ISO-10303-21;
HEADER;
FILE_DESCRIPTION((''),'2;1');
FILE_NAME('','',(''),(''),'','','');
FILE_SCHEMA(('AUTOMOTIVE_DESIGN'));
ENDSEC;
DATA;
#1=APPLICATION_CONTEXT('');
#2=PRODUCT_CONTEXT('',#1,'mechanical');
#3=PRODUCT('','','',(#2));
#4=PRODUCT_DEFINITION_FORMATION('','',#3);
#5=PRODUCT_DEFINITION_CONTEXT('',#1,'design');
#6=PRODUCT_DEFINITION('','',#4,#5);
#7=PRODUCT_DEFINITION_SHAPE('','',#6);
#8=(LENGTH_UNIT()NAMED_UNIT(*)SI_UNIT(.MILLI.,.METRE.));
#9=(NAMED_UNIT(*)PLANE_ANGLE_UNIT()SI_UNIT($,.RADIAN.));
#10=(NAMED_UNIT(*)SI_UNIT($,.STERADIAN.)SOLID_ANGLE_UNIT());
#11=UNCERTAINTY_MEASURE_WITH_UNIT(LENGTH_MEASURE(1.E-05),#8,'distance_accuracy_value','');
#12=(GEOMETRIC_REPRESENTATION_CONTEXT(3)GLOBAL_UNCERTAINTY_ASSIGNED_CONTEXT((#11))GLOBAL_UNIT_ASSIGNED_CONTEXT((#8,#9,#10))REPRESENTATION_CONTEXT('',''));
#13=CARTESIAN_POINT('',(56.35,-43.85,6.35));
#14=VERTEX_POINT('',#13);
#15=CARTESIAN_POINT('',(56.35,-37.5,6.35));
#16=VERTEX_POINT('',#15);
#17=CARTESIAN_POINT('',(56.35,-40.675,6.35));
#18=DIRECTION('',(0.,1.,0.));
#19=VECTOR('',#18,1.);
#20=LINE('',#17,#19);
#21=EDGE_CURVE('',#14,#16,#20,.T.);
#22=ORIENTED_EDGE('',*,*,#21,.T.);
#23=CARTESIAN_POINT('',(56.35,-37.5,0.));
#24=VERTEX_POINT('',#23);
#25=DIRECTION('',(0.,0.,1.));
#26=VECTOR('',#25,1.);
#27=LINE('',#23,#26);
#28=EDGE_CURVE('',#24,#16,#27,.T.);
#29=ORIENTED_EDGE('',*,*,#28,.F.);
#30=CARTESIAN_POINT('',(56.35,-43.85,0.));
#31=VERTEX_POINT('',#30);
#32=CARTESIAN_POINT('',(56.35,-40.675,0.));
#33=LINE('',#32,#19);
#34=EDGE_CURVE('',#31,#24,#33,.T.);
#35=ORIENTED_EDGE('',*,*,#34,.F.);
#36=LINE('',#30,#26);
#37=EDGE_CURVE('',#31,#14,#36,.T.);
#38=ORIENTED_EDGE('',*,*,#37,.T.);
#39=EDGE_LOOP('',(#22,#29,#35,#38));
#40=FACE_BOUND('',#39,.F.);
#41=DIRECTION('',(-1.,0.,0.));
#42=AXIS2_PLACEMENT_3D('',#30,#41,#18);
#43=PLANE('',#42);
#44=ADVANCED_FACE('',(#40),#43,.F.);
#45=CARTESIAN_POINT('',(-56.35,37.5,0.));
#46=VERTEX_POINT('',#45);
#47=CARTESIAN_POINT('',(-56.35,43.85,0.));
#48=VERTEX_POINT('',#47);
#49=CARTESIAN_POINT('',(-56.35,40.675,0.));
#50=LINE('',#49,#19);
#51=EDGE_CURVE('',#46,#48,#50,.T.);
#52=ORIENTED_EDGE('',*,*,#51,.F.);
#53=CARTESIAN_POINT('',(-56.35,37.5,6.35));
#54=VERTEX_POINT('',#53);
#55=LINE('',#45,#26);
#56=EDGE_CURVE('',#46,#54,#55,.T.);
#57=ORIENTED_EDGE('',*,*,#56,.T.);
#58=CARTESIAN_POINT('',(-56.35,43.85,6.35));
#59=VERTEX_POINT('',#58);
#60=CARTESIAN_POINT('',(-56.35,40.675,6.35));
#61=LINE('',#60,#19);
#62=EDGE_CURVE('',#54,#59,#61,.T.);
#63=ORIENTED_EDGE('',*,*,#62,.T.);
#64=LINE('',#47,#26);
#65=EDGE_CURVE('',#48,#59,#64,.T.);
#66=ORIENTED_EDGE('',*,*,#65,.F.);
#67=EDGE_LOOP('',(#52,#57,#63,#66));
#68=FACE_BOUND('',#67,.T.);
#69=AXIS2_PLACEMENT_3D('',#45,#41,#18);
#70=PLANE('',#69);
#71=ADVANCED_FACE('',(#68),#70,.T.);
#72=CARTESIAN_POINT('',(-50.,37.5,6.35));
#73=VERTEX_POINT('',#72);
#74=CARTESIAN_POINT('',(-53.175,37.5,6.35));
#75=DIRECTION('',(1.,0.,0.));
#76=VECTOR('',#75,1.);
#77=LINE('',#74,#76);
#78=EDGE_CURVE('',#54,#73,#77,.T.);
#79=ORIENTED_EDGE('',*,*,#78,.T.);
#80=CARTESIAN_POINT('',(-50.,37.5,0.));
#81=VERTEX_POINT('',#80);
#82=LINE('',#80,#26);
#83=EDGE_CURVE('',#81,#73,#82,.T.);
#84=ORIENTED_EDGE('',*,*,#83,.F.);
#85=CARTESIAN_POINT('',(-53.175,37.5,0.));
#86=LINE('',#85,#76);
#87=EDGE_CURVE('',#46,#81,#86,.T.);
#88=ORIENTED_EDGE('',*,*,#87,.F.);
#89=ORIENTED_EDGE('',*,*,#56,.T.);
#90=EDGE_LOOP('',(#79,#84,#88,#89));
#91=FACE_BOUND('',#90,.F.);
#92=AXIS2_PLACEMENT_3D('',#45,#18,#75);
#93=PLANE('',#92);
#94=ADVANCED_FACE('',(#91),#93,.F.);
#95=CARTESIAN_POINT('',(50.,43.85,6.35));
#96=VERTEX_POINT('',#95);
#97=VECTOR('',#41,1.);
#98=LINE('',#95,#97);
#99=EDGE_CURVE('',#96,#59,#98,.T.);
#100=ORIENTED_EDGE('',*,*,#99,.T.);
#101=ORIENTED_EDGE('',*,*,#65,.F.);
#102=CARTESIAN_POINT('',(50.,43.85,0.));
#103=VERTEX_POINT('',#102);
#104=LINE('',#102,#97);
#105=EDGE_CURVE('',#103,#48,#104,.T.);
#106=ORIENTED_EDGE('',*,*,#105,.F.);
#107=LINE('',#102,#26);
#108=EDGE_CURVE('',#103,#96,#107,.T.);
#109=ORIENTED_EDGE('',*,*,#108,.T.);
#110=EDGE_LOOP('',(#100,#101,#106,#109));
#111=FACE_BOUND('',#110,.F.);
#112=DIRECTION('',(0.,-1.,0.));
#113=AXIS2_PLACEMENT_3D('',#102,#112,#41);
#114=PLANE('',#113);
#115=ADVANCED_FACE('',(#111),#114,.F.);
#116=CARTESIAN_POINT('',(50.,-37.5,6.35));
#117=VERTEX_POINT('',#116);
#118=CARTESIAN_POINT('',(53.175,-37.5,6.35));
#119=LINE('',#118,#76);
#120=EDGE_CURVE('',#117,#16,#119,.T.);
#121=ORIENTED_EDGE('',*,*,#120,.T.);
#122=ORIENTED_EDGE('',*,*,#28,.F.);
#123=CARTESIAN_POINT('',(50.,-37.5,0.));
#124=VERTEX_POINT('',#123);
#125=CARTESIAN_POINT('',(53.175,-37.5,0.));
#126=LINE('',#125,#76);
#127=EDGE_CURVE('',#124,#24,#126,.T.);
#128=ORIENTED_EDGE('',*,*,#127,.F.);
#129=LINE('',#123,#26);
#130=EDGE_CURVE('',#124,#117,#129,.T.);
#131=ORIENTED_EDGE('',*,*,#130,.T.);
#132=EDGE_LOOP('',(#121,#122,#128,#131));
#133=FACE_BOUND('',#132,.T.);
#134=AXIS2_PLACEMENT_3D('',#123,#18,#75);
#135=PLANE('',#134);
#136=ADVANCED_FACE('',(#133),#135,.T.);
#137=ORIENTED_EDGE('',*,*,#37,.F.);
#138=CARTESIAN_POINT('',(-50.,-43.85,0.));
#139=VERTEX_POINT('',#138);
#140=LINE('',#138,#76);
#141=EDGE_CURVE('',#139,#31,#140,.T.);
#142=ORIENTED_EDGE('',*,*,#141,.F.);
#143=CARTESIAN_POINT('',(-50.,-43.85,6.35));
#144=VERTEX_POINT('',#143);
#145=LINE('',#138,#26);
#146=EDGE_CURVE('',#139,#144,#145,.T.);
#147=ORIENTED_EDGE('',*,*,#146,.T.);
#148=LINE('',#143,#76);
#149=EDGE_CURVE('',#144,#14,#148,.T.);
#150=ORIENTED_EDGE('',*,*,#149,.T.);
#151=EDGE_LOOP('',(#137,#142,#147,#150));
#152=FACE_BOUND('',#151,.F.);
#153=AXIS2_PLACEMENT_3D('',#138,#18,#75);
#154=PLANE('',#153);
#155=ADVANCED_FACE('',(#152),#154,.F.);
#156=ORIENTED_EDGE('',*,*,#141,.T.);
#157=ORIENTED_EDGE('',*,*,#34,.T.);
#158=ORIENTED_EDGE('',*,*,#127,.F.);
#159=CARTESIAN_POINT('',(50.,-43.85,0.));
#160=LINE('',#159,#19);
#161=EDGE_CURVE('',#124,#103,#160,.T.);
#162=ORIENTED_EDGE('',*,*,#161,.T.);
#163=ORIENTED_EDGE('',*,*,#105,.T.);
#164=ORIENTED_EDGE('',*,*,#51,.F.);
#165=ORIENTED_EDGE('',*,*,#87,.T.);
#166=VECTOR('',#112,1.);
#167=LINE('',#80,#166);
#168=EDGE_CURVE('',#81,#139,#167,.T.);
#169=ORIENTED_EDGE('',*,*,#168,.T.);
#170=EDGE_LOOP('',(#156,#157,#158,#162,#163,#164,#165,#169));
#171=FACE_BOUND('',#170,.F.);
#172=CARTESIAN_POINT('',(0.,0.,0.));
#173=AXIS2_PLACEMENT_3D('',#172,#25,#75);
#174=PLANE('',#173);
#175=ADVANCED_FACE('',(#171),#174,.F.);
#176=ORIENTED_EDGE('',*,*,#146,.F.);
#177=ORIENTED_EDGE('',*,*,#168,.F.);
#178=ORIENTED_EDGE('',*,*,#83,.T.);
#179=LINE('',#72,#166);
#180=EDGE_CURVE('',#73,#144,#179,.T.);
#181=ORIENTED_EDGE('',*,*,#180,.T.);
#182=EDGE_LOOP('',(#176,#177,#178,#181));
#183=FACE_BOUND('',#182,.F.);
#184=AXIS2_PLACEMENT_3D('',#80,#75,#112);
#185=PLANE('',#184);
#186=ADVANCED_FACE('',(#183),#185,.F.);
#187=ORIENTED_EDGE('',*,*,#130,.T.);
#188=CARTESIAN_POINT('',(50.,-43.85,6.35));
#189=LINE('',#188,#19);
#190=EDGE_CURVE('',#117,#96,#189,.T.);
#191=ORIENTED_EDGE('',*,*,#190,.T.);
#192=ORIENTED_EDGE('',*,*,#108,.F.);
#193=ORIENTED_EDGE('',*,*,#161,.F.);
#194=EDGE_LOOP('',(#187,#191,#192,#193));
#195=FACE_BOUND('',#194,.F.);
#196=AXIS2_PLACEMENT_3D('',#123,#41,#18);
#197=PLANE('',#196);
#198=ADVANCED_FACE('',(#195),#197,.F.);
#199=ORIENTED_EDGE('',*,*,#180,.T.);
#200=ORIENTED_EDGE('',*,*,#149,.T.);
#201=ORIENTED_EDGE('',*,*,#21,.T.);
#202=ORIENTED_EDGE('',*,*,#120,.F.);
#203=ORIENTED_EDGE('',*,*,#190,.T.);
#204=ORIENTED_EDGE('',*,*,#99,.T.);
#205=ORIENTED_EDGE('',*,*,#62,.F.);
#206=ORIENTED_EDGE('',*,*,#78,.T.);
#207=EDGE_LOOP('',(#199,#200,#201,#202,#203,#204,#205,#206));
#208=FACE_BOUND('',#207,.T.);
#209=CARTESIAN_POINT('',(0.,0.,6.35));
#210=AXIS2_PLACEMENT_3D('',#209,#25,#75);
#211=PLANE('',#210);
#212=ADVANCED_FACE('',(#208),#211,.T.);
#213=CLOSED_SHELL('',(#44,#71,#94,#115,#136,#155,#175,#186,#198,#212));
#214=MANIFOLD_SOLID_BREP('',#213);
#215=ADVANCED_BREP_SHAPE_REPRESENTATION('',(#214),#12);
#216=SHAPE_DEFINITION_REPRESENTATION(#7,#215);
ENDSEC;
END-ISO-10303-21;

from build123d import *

# Parameters (mm, degrees)
F0_W     = 100
F0_H     = 75
F0_W_2   = 41
F0_H_2   = 41
F0_H_3   = 6.35
F0_W_3   = 6.35
F1_DEPTH = 6.35


with BuildPart() as f1:
    # F0 (on Top) → F1 (new body)
    with BuildSketch(Plane.XY):
        Rectangle(F0_W, F0_H)
        Rectangle(F0_W_2, F0_H_2, mode=Mode.SUBTRACT)
        with Locations((0, 40.675)):
            Rectangle(F0_W, F0_H_3)
        with Locations((-53.175, 40.675)):
            Rectangle(F0_W_3, F0_H_3)
        with Locations((0, -40.675)):
            Rectangle(F0_W, F0_H_3)
        with Locations((53.175, -40.675)):
            Rectangle(F0_W_3, F0_H_3)
        Rectangle(F0_W_2, F0_H_2)
    extrude(amount=F1_DEPTH)


solid = f1.part
